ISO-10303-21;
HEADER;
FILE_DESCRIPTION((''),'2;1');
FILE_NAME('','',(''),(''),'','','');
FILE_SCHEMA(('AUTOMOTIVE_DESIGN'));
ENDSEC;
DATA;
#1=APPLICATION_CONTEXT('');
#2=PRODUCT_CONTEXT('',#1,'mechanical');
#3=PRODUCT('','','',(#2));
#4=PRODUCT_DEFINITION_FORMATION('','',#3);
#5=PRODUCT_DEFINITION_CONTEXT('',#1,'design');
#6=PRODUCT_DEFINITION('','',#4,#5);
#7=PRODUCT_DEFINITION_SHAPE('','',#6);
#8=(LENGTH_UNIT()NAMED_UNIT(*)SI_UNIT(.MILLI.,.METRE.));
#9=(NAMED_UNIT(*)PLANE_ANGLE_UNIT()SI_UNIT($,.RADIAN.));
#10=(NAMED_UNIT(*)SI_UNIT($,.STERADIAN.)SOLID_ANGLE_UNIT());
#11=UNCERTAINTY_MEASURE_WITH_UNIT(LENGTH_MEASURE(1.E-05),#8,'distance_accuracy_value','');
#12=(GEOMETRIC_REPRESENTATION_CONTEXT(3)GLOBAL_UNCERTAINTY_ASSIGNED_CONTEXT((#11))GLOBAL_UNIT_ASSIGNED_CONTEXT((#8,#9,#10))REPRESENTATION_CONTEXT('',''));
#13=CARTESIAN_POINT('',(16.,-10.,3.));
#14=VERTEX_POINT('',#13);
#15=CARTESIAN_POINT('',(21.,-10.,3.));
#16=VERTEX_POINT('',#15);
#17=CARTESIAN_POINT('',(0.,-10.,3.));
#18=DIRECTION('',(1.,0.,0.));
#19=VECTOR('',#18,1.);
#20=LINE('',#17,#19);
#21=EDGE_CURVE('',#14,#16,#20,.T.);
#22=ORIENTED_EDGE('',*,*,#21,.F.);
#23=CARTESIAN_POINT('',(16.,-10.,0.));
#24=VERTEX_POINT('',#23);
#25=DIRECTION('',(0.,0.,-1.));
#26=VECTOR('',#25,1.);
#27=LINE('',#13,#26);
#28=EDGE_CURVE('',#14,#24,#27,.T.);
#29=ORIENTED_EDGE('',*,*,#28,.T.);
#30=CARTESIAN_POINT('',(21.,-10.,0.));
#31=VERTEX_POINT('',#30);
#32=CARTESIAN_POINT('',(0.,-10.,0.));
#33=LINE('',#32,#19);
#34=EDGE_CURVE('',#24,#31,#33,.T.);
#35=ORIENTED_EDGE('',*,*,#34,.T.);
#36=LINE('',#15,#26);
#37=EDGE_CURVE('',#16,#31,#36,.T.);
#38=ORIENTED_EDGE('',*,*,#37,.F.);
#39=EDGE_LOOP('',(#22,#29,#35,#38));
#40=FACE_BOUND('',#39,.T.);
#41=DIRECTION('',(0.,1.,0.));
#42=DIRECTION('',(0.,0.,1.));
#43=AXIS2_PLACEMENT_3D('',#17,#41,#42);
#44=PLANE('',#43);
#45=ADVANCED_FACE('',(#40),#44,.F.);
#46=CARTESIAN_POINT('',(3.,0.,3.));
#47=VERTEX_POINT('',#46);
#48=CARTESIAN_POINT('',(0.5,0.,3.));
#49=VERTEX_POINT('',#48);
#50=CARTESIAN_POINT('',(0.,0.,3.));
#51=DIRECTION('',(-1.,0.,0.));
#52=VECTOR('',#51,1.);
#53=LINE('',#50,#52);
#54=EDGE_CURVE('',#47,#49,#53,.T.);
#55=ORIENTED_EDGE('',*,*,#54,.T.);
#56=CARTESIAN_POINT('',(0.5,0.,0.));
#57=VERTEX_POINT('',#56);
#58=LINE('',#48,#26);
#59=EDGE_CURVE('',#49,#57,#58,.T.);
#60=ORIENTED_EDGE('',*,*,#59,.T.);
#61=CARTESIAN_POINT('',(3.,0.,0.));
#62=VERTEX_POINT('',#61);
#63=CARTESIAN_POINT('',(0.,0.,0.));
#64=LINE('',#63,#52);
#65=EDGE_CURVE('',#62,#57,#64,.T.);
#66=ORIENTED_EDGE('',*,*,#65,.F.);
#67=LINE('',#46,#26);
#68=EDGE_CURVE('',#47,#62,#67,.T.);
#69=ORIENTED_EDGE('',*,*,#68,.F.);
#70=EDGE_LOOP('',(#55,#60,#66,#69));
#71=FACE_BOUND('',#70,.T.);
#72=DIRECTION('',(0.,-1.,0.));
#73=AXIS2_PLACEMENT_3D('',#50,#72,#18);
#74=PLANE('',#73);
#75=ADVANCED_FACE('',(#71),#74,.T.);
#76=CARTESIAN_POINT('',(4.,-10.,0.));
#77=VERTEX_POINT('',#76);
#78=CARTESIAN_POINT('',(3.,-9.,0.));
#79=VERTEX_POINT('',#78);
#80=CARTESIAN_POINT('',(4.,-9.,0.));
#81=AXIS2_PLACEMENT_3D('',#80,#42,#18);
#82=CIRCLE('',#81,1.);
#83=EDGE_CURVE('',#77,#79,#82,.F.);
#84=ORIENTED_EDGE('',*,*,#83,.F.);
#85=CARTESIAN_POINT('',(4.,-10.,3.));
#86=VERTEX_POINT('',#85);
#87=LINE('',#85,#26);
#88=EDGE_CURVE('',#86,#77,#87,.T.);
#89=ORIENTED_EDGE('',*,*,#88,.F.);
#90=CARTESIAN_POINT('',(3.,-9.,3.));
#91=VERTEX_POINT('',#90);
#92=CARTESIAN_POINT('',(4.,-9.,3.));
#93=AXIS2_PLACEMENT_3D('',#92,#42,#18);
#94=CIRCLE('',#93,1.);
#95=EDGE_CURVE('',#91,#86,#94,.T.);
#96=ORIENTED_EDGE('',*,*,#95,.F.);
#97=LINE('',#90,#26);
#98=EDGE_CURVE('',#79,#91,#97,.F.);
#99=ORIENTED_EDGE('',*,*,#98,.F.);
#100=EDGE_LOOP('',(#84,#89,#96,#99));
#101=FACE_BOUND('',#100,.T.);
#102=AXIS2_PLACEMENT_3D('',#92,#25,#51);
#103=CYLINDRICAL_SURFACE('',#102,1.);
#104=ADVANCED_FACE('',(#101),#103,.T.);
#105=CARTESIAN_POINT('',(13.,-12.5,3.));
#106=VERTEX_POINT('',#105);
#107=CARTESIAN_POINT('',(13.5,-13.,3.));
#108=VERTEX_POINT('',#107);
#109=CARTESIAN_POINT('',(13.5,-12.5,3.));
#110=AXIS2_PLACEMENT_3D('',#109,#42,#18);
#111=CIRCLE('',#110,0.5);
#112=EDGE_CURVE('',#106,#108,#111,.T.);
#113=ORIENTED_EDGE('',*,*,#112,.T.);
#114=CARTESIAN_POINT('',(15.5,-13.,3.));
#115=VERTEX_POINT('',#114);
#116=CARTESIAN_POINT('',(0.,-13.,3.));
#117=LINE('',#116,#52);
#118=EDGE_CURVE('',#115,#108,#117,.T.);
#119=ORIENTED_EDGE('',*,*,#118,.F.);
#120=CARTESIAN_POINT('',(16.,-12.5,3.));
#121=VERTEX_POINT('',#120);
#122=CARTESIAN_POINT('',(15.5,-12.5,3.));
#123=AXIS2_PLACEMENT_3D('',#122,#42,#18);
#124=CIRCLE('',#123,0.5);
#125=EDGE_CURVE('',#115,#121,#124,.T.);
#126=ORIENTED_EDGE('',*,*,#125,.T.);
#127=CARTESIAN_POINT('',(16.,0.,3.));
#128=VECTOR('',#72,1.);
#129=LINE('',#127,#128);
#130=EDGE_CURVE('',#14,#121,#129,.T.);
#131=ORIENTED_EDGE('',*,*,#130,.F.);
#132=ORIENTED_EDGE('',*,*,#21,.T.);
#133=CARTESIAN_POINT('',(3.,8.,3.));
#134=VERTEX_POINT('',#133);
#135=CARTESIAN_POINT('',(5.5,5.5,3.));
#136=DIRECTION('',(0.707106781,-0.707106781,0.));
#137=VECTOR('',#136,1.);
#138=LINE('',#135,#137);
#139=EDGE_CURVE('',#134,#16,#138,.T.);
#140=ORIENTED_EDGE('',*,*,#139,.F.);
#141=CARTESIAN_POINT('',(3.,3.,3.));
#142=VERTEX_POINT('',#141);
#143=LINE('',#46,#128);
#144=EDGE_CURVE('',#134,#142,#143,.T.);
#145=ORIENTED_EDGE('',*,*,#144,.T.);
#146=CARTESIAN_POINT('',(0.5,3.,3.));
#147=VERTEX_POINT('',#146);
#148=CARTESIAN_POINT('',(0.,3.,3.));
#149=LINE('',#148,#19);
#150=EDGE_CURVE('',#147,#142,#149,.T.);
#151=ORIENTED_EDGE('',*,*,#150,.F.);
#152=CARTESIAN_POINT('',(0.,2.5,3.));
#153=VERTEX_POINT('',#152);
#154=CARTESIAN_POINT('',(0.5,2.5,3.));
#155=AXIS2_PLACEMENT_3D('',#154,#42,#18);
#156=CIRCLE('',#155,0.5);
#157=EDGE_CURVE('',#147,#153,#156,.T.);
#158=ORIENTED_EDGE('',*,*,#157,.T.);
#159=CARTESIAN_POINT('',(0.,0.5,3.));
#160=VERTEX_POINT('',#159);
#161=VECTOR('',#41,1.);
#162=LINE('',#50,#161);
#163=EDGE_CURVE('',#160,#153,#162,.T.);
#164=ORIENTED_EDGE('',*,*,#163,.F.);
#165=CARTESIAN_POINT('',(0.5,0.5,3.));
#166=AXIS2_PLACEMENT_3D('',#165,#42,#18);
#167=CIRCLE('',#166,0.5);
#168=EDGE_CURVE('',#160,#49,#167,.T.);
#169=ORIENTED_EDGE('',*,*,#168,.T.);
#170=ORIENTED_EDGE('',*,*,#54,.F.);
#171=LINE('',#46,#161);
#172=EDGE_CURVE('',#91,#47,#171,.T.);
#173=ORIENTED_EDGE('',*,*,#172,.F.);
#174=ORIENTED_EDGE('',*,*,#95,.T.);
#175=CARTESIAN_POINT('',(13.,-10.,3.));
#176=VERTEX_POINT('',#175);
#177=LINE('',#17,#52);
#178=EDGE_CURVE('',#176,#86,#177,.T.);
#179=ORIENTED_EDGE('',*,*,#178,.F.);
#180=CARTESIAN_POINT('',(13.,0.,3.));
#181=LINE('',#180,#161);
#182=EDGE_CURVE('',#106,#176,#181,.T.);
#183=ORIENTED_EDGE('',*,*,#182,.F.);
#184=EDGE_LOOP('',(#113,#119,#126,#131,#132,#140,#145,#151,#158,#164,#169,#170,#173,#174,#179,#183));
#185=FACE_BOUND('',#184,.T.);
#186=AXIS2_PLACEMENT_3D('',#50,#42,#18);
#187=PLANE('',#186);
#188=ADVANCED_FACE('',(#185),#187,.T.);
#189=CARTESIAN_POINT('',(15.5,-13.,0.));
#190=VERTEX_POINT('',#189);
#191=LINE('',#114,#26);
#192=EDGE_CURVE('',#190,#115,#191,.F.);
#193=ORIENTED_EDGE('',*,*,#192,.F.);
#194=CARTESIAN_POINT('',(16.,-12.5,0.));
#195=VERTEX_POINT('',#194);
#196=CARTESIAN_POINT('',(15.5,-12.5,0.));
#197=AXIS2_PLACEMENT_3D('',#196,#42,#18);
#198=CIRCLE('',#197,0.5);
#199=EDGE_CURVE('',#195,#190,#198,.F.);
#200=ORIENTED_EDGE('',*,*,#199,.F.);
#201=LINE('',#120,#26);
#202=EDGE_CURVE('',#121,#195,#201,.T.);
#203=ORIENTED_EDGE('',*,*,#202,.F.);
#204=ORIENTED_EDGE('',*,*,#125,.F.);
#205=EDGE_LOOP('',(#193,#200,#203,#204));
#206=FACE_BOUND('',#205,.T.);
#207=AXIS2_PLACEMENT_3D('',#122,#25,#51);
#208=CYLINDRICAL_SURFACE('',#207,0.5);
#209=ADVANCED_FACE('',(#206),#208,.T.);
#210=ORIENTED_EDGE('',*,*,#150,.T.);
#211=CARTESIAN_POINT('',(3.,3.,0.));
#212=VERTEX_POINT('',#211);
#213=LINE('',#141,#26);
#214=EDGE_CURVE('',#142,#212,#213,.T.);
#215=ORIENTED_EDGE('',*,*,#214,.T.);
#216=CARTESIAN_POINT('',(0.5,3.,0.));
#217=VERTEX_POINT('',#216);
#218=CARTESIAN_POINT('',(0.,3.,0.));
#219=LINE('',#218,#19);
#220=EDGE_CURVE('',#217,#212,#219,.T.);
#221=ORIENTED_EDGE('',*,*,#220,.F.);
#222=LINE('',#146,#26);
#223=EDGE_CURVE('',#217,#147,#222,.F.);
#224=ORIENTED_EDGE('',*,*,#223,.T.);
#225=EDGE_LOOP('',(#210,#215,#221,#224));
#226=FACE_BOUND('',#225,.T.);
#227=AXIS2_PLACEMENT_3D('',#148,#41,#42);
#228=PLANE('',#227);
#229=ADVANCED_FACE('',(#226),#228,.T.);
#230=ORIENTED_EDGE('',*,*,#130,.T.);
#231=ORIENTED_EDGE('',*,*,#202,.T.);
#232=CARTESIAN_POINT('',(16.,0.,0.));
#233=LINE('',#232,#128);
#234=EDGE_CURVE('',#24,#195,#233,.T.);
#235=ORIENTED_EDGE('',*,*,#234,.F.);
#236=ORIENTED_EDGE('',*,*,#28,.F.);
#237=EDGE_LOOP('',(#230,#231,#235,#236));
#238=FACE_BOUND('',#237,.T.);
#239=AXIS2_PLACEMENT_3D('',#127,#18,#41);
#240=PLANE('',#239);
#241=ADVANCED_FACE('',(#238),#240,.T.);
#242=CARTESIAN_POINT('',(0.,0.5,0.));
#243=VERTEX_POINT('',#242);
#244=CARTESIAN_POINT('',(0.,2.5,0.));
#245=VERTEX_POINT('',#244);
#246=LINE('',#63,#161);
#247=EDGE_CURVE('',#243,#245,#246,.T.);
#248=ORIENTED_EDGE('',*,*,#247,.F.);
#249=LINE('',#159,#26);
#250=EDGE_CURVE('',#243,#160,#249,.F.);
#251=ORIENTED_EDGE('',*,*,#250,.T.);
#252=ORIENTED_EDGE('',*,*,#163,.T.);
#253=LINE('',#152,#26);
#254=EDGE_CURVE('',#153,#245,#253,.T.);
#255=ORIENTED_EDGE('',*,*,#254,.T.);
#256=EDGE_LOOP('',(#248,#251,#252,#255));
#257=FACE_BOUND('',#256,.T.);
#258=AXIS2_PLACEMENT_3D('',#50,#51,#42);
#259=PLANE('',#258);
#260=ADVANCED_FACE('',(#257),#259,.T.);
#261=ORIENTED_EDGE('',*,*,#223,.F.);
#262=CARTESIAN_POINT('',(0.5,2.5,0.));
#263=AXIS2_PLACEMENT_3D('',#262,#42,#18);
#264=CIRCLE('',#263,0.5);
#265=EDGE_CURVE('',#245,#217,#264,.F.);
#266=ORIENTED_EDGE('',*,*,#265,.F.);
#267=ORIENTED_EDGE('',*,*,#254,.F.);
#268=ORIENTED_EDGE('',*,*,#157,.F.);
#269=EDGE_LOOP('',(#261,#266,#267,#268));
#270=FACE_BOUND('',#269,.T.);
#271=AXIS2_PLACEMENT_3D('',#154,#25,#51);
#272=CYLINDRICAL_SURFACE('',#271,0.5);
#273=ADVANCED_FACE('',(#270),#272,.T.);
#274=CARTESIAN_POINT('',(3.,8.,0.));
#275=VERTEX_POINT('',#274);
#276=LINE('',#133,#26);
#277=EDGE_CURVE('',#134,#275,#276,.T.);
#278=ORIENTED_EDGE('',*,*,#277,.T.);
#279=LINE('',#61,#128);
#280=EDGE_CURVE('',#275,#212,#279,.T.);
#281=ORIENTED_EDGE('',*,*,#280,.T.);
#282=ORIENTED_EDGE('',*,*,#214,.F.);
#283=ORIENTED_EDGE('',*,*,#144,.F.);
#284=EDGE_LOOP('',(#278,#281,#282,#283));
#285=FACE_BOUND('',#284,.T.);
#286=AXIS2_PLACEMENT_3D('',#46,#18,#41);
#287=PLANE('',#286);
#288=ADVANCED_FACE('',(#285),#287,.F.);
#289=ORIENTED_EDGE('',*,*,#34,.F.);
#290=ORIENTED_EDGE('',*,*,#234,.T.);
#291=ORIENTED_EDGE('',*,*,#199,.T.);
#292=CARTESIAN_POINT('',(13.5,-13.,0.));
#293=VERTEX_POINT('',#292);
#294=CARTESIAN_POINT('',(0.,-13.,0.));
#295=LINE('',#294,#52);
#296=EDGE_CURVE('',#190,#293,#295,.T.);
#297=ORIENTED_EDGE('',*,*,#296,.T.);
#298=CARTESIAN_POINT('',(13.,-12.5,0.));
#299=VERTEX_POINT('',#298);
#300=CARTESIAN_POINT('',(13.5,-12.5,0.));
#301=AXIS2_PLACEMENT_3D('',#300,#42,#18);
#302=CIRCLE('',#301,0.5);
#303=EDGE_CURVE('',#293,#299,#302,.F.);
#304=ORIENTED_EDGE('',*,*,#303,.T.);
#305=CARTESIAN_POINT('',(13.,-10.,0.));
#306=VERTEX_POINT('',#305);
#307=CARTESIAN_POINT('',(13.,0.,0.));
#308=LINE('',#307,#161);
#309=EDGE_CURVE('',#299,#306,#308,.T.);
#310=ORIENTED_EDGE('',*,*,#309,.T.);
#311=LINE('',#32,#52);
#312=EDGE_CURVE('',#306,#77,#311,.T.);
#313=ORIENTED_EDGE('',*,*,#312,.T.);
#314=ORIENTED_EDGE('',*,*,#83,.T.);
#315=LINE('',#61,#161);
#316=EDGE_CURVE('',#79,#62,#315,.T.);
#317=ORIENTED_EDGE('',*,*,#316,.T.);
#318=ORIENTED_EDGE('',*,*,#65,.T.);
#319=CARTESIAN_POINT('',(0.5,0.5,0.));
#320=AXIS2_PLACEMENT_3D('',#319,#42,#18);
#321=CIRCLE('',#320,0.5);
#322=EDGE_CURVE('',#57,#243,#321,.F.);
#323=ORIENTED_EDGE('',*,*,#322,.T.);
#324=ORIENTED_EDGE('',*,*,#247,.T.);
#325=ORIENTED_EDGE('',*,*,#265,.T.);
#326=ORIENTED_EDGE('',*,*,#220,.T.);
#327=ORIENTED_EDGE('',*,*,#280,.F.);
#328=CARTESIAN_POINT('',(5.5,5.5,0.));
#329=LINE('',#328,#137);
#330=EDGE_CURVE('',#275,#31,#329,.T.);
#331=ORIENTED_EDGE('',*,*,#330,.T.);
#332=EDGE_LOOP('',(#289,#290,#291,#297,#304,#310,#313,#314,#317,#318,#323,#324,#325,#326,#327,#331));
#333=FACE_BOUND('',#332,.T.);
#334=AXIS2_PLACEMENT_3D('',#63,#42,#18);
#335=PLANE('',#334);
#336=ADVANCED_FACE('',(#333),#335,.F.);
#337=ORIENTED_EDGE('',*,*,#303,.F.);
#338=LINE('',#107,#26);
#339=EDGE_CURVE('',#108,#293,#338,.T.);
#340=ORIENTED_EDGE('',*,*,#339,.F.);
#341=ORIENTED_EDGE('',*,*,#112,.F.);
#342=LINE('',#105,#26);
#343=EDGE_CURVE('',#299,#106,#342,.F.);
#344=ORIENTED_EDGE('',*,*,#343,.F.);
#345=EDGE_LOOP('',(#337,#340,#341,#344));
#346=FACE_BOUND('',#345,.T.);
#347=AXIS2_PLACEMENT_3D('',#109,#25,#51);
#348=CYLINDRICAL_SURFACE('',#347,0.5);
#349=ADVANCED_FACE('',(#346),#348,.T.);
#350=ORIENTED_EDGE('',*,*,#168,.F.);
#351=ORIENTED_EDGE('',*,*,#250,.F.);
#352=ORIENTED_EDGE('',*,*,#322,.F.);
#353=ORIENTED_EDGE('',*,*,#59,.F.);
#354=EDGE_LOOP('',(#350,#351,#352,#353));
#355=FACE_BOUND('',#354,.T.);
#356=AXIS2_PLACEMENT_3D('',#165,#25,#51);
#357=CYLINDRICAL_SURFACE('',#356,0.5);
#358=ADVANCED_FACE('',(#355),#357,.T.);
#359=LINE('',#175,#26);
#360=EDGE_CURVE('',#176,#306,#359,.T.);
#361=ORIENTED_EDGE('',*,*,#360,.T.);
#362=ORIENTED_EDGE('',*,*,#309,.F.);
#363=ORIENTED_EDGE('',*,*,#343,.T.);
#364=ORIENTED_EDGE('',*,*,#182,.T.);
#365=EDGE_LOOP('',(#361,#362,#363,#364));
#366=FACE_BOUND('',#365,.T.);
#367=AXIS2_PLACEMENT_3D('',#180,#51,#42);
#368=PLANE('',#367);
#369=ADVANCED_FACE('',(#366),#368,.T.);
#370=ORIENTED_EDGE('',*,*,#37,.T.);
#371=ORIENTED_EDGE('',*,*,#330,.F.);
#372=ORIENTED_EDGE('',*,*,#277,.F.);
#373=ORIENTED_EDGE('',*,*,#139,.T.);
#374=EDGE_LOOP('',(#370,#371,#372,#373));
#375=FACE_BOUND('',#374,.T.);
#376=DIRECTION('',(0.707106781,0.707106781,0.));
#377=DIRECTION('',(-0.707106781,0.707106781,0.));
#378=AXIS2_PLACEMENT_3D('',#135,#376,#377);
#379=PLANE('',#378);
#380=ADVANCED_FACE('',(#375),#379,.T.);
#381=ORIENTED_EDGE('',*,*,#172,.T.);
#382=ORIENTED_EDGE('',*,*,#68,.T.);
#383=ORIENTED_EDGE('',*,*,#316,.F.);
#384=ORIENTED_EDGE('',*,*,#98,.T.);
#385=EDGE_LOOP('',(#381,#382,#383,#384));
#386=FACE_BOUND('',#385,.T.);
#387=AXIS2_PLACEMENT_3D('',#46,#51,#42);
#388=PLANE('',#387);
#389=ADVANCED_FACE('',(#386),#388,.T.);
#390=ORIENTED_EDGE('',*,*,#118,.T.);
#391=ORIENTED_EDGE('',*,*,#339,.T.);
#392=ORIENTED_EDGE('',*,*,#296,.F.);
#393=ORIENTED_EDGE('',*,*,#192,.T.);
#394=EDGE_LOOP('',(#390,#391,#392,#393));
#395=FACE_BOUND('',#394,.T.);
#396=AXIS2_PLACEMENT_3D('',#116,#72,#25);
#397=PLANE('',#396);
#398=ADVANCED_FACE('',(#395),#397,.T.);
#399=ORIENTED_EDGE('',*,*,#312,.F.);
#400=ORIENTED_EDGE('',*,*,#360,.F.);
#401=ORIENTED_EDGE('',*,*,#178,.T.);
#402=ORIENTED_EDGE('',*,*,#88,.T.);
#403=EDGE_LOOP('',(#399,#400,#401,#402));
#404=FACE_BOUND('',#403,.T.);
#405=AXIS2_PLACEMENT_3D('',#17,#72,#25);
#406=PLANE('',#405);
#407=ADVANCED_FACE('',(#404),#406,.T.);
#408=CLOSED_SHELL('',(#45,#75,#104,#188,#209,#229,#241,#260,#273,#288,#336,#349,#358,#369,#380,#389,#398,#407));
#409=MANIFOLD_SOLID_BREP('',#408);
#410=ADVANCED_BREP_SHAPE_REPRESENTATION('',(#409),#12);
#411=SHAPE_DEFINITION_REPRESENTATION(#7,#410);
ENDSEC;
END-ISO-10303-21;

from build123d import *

# Parameters (mm, degrees)
EXTRUDE_1_DEPTH = 3
FILLET_1_R      = 0.5
FILLET_2_R      = 1


with BuildPart() as part:
    # Эскиз1 → Бобышка-Вытянуть1 (new body)
    with BuildSketch(Plane.XY):
        Polygon((3, 0), (0, 0), (0, 3), (8, 3), (16, -5), (16, -13), (13, -13), (13, -10), (3, -10), align=None)
        Polygon((3, 8), (3, 3), (8, 3), align=None)
        Polygon((21, -10), (16, -5), (16, -10), align=None)
    extrude(amount=EXTRUDE_1_DEPTH)

    # Скругление1
    fillet_1_edges = [part.edges().sort_by_distance(p)[0] for p in [
        (0, 0, 1.5),
        (0, 3, 1.5),
        (16, -13, 1.5),
        (13, -13, 1.5),
    ]]
    fillet(fillet_1_edges, radius=FILLET_1_R)

    # Скругление2
    fillet_2_edges = [part.edges().sort_by_distance(p)[0] for p in [
        (3, -10, 1.5),
    ]]
    fillet(fillet_2_edges, radius=FILLET_2_R)


solid = part.part
